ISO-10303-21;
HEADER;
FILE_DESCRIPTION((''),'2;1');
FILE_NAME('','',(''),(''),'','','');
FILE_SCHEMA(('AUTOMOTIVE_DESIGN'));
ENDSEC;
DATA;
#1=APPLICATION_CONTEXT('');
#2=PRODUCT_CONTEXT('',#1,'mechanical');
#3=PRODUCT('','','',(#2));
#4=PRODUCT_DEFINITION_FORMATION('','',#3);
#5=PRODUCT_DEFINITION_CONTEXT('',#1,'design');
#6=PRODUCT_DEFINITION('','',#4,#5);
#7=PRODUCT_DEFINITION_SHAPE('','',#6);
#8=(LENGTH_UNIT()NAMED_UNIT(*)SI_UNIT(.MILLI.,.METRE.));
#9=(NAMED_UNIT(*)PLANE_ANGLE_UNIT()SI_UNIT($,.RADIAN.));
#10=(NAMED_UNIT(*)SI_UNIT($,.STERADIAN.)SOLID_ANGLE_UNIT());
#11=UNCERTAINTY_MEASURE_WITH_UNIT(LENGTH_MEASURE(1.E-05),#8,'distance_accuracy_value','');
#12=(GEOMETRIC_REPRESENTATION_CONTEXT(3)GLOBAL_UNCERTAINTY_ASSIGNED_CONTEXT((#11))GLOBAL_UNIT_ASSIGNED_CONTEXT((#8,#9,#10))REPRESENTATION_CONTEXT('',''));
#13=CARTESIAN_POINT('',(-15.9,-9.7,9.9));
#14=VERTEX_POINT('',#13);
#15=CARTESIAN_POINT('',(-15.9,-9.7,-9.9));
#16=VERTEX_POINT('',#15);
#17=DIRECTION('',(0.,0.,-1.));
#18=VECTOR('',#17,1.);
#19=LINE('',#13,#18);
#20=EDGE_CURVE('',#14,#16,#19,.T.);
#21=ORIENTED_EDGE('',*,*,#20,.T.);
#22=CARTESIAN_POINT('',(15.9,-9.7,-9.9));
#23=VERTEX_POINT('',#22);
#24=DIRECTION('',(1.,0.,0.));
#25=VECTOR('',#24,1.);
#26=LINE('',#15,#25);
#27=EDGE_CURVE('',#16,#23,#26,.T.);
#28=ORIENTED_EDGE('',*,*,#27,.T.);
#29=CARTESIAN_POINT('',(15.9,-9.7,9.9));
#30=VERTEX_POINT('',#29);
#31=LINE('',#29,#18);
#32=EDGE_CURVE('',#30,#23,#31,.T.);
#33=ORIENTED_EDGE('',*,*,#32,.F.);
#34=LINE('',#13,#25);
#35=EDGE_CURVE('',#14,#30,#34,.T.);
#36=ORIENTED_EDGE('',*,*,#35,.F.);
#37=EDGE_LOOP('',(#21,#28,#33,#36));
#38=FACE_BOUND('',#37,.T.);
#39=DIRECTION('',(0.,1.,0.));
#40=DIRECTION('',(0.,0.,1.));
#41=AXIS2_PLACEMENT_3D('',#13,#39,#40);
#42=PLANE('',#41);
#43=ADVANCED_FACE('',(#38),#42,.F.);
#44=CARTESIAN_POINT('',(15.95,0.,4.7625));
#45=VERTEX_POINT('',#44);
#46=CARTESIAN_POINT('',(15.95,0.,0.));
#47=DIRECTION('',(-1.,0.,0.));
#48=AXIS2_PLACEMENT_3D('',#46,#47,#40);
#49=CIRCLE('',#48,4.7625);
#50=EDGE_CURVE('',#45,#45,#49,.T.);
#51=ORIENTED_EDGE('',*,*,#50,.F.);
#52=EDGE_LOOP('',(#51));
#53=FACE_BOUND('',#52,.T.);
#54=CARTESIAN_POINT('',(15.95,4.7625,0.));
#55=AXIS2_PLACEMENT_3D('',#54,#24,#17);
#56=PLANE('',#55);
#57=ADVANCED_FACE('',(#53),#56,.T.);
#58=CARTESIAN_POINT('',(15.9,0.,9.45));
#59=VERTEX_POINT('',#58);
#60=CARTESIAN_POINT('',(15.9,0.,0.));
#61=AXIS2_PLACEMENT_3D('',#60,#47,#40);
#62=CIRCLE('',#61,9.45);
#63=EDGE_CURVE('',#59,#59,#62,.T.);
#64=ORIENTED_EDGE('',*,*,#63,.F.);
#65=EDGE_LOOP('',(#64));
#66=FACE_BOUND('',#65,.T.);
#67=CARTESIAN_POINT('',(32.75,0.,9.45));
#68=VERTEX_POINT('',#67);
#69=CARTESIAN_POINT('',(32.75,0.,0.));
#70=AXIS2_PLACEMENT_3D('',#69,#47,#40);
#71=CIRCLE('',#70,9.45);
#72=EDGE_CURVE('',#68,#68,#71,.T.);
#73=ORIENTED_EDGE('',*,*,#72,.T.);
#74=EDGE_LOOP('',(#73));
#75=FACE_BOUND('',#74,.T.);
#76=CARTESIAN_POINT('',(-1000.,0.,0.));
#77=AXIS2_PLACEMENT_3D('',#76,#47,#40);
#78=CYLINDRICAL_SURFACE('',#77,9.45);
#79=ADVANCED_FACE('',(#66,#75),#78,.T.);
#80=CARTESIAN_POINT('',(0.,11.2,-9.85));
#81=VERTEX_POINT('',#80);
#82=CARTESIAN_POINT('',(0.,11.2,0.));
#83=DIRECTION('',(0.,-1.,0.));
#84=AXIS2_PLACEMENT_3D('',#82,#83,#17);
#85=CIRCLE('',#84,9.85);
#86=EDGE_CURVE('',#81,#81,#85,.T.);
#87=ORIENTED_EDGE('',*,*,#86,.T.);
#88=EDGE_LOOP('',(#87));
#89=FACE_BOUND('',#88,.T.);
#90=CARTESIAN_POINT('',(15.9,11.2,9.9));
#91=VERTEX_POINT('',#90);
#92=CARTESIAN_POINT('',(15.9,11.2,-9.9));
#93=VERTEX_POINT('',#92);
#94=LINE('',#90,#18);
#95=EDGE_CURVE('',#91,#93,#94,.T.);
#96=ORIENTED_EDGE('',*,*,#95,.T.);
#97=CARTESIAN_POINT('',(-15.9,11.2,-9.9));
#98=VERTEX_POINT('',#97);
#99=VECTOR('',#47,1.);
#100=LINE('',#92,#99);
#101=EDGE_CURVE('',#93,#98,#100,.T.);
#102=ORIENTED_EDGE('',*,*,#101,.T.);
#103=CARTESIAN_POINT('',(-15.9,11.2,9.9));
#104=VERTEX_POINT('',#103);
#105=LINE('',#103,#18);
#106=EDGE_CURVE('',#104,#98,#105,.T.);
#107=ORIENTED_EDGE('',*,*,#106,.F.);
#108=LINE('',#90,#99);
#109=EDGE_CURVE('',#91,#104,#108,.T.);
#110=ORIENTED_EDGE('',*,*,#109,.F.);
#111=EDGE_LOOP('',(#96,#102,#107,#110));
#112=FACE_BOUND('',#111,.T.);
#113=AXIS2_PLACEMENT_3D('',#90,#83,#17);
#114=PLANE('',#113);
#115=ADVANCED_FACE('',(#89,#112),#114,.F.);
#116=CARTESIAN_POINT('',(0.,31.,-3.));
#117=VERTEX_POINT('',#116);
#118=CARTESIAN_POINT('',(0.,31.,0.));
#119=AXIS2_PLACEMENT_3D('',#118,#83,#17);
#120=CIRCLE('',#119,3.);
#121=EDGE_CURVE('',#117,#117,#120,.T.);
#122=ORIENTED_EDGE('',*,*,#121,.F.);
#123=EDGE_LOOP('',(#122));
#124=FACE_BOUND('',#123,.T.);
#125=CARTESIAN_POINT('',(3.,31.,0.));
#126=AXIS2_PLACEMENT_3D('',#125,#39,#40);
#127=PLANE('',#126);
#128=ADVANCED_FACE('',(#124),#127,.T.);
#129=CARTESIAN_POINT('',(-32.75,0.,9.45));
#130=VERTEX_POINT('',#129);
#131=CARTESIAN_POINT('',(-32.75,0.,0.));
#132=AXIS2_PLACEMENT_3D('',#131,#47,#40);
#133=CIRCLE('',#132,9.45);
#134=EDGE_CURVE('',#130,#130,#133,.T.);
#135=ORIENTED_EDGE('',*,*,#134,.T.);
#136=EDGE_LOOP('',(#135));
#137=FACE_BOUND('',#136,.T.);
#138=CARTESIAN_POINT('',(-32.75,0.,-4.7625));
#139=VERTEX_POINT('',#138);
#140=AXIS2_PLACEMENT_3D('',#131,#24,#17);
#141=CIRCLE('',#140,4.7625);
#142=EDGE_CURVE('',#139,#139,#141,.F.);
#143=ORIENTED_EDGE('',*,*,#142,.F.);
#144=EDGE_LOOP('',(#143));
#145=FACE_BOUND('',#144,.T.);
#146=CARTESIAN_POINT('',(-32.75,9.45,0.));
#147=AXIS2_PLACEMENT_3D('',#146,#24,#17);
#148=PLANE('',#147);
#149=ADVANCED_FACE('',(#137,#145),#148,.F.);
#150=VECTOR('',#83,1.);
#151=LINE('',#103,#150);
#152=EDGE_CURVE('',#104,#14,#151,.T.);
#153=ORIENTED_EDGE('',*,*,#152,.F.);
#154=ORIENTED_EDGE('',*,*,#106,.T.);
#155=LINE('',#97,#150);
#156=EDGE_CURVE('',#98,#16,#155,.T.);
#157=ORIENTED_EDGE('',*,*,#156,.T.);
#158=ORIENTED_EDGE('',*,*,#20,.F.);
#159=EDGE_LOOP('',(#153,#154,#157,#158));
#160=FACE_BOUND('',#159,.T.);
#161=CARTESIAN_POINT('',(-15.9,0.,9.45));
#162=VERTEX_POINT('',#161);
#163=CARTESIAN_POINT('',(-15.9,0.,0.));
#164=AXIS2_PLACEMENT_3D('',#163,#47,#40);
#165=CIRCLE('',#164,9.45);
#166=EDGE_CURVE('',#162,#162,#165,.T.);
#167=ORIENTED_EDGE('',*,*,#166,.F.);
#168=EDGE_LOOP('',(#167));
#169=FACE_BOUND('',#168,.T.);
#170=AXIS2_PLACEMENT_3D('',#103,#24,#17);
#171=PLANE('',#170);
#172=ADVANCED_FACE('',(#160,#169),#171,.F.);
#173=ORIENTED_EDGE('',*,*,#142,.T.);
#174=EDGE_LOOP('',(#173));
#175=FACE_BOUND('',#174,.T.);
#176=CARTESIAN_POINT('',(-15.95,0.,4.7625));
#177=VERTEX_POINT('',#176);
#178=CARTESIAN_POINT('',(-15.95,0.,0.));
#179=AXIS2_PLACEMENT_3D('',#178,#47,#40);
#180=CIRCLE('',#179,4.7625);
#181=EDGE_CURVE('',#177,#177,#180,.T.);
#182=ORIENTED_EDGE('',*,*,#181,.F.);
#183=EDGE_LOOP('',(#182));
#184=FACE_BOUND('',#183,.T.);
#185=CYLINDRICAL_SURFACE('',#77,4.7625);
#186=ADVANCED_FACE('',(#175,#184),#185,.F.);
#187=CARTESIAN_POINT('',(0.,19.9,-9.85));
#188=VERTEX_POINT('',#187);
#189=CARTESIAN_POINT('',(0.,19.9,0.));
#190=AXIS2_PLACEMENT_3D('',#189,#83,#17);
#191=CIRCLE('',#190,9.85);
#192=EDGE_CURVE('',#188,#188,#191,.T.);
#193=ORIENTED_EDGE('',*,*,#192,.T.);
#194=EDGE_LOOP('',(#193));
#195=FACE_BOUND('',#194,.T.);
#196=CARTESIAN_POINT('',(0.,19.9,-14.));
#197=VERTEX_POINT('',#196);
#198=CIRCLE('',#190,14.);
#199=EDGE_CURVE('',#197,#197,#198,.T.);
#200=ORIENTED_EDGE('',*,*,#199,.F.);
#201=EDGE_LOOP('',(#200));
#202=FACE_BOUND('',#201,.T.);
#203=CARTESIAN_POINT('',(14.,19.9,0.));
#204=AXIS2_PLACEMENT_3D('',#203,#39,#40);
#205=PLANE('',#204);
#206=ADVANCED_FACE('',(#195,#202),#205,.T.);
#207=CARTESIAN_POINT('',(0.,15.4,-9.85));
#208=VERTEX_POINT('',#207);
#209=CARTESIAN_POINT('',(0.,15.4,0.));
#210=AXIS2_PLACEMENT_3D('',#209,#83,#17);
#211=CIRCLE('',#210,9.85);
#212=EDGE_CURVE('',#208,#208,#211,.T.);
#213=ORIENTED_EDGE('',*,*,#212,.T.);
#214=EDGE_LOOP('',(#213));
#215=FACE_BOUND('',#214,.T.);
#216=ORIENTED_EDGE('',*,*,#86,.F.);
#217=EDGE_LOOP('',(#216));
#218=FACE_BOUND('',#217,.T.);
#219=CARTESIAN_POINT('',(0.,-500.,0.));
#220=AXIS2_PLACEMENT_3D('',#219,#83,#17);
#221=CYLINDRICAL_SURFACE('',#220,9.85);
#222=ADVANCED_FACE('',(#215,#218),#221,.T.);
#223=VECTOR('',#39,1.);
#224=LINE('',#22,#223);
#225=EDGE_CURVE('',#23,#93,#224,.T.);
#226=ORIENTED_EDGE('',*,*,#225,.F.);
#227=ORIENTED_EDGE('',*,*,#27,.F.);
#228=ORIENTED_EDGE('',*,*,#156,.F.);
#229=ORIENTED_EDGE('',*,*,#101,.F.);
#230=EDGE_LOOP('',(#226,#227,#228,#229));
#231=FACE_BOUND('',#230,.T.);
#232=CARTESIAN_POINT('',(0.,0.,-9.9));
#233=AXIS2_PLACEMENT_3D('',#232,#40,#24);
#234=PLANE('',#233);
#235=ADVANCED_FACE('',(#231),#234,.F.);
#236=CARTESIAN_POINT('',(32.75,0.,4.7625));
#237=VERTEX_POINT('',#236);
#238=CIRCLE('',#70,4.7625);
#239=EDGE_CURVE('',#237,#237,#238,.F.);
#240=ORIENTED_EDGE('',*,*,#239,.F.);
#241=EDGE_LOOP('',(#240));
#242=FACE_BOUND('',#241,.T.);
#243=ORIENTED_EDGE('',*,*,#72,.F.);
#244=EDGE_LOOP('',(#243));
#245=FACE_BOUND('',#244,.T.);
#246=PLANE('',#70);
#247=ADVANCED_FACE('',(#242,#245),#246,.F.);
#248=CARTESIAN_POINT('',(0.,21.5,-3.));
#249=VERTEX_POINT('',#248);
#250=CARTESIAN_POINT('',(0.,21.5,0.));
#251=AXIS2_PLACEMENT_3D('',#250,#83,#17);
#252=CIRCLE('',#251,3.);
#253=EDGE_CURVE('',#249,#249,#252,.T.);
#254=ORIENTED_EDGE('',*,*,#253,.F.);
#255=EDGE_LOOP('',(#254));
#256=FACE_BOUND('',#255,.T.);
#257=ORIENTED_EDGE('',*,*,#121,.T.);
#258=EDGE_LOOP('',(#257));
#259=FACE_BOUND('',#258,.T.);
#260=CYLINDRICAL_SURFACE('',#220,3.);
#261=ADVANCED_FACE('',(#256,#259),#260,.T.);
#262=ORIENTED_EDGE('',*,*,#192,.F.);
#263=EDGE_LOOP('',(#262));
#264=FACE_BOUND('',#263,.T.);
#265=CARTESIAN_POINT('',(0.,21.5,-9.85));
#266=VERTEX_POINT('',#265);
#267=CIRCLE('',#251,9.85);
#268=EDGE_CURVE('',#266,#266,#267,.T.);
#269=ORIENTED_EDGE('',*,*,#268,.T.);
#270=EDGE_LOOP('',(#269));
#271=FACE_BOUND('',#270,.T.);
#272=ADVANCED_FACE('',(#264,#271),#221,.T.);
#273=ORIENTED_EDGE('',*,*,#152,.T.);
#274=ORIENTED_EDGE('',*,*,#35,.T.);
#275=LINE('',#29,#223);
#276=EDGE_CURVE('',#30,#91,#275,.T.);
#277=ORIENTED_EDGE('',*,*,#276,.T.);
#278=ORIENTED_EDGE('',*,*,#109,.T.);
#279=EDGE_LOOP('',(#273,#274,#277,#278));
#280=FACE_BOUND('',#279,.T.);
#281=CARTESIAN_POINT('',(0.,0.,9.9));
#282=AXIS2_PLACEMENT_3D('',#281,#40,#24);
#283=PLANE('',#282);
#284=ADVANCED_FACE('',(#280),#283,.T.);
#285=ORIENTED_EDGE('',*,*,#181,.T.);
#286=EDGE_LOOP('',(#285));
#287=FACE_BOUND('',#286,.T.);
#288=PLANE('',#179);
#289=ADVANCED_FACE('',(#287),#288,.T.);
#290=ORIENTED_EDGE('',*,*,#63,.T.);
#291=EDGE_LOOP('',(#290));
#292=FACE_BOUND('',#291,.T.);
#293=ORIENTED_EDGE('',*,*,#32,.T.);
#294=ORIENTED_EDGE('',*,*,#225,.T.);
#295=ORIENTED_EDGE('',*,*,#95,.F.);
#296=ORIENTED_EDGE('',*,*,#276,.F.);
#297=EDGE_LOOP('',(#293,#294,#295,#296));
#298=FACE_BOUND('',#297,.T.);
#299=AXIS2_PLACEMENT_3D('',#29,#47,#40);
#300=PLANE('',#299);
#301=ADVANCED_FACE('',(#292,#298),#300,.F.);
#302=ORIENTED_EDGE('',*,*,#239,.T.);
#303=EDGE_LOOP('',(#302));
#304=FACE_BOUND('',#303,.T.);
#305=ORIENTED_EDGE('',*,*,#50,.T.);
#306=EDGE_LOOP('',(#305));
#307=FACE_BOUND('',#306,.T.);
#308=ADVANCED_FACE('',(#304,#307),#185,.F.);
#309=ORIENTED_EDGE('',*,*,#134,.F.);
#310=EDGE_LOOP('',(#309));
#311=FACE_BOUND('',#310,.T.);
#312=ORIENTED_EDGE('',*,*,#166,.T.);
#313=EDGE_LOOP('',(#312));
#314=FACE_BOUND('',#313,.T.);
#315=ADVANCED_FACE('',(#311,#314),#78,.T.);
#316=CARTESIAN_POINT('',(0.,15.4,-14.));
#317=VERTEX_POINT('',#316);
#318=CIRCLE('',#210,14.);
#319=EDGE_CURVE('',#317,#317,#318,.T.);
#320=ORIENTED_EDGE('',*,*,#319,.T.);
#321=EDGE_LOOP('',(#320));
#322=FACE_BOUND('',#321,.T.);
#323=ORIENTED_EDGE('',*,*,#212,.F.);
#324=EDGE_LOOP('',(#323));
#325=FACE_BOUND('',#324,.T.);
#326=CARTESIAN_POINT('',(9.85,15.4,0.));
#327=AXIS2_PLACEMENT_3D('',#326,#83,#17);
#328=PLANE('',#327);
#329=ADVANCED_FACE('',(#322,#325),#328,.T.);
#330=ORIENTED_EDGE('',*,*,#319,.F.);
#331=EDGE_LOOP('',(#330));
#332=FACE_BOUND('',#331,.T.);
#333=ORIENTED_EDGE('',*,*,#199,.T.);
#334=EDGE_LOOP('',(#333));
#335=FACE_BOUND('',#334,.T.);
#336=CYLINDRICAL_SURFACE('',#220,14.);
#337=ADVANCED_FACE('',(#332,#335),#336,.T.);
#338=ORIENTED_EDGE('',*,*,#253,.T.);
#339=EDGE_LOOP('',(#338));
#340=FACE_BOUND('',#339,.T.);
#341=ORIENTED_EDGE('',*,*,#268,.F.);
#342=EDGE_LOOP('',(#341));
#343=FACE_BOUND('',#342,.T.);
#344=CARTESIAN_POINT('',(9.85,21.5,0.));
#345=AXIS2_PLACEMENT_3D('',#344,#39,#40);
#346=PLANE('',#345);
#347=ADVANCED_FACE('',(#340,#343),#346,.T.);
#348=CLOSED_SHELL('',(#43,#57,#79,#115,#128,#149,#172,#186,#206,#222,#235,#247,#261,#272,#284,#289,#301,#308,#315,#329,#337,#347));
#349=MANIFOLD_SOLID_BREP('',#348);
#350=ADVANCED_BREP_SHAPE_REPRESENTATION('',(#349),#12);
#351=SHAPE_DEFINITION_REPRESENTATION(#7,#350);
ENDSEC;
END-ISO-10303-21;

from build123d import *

# Parameters (mm, degrees)
BODY_SKETCH_W       = 31.8
BODY_SKETCH_H       = 20.9
BODY_DEPTH          = 9.9
NUT_X_SKETCH_W      = 16.85
NUT_X_SKETCH_H      = 9.45
NUT_X_SKETCH_2_W    = 16.85
NUT_X_SKETCH_2_H    = 9.45
SOCKET_X_SKETCH_W   = 17.8
SOCKET_X_SKETCH_H   = 4.7625
SOCKET_X_SKETCH_2_W = 17.8
SOCKET_X_SKETCH_2_H = 4.7625


with BuildPart() as part:
    # Body Sketch → Body (new, symmetric)
    with BuildSketch(Plane.XY):
        with Locations((0, 0.75)):
            Rectangle(BODY_SKETCH_W, BODY_SKETCH_H)
    extrude(amount=BODY_DEPTH, both=True)

    # Nut _X Sketch → Nut _X (revolve)
    with BuildSketch(Plane.XY):
        with Locations((24.325, 4.725)):
            Rectangle(NUT_X_SKETCH_W, NUT_X_SKETCH_H)
    revolve(axis=Axis((-1000, 0, 0), (1, 0, 0)))

    # Nut -X Sketch 2 → Nut -X 2 (revolve)
    with BuildSketch(Plane.XY):
        with Locations((-24.325, 4.725)):
            Rectangle(NUT_X_SKETCH_2_W, NUT_X_SKETCH_2_H)
    revolve(axis=Axis((-1000, 0, 0), (1, 0, 0)))

    # Socket _X Sketch → Socket _X (revolve, cut)
    with BuildSketch(Plane.XY):
        with Locations((24.85, 2.38125)):
            Rectangle(SOCKET_X_SKETCH_W, SOCKET_X_SKETCH_H)
    revolve(axis=Axis((-1000, 0, 0), (1, 0, 0)), mode=Mode.SUBTRACT)

    # Socket -X Sketch 2 → Socket -X 2 (revolve, cut)
    with BuildSketch(Plane.XY):
        with Locations((-24.85, 2.38125)):
            Rectangle(SOCKET_X_SKETCH_2_W, SOCKET_X_SKETCH_2_H)
    revolve(axis=Axis((-1000, 0, 0), (1, 0, 0)), mode=Mode.SUBTRACT)

    # Stem Sketch → Stem (revolve)
    with BuildSketch(Plane.XY):
        Polygon((0, 11.2), (9.85, 11.2), (9.85, 15.4), (14, 15.4), (14, 19.9), (9.85, 19.9), (9.85, 21.5), (3, 21.5), (3, 31), (0, 31), align=None)
    revolve(axis=Axis((0, -500, 0), (0, 1, 0)))


solid = part.part
